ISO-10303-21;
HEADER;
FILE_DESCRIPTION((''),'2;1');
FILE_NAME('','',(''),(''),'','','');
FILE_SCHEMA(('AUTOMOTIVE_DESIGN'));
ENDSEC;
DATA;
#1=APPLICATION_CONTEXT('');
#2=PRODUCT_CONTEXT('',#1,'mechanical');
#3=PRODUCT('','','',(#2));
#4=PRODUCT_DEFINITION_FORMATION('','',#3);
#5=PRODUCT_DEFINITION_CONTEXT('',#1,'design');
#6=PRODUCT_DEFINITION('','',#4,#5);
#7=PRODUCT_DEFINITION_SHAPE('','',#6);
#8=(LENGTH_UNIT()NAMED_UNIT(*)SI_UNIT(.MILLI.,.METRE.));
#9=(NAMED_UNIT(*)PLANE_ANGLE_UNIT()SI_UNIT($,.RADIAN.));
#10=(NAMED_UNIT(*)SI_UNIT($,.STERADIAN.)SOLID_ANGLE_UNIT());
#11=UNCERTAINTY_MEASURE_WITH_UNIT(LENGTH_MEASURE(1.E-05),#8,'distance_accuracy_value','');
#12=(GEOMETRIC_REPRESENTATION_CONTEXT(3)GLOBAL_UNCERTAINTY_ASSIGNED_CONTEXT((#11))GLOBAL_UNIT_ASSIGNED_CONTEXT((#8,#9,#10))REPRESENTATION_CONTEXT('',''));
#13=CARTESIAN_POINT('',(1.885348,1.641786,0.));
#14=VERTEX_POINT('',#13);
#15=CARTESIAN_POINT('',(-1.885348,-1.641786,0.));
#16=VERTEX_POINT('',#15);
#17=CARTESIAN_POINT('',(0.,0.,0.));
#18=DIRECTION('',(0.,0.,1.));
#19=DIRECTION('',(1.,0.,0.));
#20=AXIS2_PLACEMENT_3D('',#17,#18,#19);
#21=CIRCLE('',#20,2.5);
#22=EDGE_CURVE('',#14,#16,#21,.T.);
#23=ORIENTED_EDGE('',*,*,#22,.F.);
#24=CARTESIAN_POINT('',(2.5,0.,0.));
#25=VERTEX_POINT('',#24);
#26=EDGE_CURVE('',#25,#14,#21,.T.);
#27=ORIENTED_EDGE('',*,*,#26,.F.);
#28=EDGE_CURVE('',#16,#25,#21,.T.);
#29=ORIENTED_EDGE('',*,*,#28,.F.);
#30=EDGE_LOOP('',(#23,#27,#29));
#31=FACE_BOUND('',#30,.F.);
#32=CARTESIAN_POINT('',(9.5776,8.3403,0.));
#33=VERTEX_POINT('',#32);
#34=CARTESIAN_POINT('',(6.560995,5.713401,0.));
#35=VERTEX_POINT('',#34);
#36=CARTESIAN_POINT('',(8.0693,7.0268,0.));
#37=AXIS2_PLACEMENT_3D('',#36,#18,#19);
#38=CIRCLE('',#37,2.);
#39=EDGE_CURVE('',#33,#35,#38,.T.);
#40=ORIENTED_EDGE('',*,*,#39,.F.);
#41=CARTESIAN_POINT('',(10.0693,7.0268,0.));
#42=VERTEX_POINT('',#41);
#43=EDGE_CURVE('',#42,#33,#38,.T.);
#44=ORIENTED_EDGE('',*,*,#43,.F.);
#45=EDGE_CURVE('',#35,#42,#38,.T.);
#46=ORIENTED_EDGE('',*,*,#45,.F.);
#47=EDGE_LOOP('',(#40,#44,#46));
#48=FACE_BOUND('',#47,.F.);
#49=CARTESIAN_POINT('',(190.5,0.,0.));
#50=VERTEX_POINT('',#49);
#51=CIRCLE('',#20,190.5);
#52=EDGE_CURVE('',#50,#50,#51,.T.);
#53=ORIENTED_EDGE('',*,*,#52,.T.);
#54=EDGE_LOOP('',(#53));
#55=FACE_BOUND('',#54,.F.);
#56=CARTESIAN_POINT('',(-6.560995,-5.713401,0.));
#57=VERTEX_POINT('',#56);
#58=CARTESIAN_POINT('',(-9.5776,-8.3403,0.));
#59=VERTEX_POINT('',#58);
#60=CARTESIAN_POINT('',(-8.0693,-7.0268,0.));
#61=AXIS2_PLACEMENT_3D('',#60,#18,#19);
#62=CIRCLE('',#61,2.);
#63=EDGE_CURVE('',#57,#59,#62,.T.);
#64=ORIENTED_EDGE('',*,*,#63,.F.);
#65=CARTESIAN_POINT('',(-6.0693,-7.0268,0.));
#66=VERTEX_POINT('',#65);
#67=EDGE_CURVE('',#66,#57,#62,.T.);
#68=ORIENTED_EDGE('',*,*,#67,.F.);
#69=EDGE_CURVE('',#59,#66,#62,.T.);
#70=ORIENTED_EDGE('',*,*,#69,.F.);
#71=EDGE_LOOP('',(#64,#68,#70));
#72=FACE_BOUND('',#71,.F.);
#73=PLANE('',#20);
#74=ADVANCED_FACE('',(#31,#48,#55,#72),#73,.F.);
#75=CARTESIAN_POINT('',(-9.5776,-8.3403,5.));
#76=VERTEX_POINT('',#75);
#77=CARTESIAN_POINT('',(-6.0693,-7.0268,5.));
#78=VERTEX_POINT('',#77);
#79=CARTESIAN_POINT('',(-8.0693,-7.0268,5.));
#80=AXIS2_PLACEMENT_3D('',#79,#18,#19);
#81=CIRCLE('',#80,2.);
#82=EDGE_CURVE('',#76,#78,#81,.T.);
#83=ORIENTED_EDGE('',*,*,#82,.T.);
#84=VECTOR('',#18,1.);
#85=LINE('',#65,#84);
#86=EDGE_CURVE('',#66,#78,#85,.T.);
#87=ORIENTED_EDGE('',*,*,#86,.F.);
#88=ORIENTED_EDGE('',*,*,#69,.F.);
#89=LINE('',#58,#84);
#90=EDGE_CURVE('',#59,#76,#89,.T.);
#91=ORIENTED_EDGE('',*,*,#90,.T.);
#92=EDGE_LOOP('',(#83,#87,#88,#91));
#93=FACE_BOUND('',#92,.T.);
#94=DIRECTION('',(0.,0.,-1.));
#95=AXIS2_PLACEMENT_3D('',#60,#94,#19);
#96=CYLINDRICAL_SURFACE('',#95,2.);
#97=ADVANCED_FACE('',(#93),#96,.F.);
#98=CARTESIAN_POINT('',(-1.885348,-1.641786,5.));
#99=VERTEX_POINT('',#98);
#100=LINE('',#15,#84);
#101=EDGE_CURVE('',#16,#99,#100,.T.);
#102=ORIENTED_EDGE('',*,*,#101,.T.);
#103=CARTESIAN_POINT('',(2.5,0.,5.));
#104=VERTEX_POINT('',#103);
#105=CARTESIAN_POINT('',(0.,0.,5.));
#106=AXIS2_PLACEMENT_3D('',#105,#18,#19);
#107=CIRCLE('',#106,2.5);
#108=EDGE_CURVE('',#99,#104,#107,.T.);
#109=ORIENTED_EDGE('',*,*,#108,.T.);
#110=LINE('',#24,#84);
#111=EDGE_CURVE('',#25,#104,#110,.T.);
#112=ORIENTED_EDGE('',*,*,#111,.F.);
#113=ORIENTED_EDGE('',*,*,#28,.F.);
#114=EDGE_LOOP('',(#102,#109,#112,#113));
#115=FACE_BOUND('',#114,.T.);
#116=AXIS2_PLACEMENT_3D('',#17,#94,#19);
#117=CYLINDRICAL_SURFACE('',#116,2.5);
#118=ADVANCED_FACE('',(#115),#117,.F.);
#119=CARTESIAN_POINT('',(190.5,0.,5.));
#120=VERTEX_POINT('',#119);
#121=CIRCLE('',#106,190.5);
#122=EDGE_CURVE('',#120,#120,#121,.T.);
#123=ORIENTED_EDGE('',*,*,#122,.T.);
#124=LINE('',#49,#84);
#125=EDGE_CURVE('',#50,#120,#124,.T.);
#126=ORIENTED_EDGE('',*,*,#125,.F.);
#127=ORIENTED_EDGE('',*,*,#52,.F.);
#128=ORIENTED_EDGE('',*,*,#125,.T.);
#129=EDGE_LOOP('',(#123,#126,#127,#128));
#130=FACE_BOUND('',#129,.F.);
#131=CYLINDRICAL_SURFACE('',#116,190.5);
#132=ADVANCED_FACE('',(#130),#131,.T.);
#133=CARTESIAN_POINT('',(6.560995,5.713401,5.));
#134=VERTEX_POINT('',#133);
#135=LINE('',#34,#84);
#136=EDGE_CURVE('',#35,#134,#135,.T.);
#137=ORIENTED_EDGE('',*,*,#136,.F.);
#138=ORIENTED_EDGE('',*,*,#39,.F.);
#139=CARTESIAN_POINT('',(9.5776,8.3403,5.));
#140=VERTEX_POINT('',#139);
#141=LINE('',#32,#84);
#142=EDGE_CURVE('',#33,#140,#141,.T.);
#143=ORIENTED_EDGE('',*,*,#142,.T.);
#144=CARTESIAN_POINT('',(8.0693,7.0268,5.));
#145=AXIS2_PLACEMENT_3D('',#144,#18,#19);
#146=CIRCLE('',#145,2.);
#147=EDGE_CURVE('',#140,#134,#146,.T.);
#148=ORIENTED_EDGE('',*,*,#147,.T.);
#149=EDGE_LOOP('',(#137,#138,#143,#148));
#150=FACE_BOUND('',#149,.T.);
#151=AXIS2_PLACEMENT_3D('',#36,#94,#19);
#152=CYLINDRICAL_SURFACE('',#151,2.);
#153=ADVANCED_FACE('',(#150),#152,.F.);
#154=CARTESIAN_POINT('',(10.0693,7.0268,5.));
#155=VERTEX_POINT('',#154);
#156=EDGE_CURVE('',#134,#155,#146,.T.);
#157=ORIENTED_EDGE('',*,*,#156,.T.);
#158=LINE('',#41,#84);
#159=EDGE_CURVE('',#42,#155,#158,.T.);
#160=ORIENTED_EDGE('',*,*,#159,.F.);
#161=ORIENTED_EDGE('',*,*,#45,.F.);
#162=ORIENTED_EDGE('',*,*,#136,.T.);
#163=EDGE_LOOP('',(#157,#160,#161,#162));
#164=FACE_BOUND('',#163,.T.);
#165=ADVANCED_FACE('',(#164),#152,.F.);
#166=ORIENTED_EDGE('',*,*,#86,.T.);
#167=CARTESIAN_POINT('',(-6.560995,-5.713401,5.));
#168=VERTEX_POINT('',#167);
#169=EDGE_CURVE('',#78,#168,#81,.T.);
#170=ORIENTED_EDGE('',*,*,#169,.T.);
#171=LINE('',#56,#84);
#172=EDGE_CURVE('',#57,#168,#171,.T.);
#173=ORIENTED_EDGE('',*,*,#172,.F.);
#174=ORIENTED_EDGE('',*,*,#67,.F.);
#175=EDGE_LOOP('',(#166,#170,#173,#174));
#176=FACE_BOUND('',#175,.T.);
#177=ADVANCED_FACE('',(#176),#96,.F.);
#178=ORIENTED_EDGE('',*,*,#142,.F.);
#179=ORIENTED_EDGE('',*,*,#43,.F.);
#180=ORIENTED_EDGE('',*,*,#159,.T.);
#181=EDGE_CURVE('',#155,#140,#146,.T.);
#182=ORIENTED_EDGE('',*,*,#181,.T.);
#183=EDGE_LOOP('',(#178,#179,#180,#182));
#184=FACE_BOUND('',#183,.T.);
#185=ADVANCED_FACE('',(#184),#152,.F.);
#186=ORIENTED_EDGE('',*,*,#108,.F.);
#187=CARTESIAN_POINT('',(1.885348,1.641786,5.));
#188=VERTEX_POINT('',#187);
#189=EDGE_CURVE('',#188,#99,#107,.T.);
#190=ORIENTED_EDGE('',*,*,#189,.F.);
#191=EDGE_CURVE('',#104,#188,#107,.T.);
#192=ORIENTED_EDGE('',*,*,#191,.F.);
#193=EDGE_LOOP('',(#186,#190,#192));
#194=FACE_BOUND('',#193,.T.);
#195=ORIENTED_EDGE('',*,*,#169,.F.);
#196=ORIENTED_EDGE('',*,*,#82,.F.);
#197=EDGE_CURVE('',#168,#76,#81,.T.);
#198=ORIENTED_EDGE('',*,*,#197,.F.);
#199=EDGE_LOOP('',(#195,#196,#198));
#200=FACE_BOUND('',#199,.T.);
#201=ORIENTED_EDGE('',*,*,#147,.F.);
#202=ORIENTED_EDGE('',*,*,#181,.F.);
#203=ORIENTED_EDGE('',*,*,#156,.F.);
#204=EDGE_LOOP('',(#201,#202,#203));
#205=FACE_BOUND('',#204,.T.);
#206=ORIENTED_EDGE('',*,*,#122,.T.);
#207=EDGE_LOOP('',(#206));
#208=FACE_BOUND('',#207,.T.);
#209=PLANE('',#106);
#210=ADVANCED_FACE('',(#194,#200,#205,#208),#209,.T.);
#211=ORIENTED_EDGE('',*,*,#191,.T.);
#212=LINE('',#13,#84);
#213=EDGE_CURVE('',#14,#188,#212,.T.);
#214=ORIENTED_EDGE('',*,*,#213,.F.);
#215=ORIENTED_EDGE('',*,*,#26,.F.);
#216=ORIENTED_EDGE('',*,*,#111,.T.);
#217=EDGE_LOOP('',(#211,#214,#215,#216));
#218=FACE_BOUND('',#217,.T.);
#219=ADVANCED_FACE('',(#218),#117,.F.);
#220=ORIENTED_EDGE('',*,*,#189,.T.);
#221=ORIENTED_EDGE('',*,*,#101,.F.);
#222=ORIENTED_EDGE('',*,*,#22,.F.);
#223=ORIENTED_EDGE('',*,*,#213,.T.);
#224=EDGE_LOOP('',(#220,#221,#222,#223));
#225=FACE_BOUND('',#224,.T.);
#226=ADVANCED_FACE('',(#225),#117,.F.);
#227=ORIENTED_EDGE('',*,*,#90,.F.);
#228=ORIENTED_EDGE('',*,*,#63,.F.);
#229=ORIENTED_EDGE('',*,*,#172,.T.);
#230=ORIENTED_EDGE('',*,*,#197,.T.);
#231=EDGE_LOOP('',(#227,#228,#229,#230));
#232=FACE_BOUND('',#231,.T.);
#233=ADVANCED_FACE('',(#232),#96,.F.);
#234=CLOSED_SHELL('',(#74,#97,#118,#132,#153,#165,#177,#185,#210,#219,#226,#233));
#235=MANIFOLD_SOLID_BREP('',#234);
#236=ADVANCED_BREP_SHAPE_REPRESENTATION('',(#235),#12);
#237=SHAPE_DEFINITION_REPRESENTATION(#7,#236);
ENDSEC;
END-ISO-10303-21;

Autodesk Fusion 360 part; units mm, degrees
sketch "Sketch1" plane through (0, 0, 0) normal (0, 0, 1) x (1, 0, 0)
  circle A0 centre (0, 0) radius 190.5
  circle A1 centre (0, 0) radius 2.5
  line L0 (0, 0) -> (9.5776, 8.3403)
  line L1 (9.5776, 8.3403) -> (8.0693, 7.0268)
  circle A2 centre (8.0693, 7.0268) radius 2
  line L2 (0, 0) -> (-9.5776, -8.3403)
  line L3 (-9.5776, -8.3403) -> (-8.0693, -7.0268)
  circle A3 centre (-8.0693, -7.0268) radius 2
  dimension "d1" = 381
  dimension "d2" = 5
  dimension "d3" = 12.7
  dimension "d4" = 2
  dimension "d5" = 12.7
  dimension "d6" = 2
  dimension "d7" = 4
extrude "Extrude1" add sketch "Sketch1" along normal blind 5
